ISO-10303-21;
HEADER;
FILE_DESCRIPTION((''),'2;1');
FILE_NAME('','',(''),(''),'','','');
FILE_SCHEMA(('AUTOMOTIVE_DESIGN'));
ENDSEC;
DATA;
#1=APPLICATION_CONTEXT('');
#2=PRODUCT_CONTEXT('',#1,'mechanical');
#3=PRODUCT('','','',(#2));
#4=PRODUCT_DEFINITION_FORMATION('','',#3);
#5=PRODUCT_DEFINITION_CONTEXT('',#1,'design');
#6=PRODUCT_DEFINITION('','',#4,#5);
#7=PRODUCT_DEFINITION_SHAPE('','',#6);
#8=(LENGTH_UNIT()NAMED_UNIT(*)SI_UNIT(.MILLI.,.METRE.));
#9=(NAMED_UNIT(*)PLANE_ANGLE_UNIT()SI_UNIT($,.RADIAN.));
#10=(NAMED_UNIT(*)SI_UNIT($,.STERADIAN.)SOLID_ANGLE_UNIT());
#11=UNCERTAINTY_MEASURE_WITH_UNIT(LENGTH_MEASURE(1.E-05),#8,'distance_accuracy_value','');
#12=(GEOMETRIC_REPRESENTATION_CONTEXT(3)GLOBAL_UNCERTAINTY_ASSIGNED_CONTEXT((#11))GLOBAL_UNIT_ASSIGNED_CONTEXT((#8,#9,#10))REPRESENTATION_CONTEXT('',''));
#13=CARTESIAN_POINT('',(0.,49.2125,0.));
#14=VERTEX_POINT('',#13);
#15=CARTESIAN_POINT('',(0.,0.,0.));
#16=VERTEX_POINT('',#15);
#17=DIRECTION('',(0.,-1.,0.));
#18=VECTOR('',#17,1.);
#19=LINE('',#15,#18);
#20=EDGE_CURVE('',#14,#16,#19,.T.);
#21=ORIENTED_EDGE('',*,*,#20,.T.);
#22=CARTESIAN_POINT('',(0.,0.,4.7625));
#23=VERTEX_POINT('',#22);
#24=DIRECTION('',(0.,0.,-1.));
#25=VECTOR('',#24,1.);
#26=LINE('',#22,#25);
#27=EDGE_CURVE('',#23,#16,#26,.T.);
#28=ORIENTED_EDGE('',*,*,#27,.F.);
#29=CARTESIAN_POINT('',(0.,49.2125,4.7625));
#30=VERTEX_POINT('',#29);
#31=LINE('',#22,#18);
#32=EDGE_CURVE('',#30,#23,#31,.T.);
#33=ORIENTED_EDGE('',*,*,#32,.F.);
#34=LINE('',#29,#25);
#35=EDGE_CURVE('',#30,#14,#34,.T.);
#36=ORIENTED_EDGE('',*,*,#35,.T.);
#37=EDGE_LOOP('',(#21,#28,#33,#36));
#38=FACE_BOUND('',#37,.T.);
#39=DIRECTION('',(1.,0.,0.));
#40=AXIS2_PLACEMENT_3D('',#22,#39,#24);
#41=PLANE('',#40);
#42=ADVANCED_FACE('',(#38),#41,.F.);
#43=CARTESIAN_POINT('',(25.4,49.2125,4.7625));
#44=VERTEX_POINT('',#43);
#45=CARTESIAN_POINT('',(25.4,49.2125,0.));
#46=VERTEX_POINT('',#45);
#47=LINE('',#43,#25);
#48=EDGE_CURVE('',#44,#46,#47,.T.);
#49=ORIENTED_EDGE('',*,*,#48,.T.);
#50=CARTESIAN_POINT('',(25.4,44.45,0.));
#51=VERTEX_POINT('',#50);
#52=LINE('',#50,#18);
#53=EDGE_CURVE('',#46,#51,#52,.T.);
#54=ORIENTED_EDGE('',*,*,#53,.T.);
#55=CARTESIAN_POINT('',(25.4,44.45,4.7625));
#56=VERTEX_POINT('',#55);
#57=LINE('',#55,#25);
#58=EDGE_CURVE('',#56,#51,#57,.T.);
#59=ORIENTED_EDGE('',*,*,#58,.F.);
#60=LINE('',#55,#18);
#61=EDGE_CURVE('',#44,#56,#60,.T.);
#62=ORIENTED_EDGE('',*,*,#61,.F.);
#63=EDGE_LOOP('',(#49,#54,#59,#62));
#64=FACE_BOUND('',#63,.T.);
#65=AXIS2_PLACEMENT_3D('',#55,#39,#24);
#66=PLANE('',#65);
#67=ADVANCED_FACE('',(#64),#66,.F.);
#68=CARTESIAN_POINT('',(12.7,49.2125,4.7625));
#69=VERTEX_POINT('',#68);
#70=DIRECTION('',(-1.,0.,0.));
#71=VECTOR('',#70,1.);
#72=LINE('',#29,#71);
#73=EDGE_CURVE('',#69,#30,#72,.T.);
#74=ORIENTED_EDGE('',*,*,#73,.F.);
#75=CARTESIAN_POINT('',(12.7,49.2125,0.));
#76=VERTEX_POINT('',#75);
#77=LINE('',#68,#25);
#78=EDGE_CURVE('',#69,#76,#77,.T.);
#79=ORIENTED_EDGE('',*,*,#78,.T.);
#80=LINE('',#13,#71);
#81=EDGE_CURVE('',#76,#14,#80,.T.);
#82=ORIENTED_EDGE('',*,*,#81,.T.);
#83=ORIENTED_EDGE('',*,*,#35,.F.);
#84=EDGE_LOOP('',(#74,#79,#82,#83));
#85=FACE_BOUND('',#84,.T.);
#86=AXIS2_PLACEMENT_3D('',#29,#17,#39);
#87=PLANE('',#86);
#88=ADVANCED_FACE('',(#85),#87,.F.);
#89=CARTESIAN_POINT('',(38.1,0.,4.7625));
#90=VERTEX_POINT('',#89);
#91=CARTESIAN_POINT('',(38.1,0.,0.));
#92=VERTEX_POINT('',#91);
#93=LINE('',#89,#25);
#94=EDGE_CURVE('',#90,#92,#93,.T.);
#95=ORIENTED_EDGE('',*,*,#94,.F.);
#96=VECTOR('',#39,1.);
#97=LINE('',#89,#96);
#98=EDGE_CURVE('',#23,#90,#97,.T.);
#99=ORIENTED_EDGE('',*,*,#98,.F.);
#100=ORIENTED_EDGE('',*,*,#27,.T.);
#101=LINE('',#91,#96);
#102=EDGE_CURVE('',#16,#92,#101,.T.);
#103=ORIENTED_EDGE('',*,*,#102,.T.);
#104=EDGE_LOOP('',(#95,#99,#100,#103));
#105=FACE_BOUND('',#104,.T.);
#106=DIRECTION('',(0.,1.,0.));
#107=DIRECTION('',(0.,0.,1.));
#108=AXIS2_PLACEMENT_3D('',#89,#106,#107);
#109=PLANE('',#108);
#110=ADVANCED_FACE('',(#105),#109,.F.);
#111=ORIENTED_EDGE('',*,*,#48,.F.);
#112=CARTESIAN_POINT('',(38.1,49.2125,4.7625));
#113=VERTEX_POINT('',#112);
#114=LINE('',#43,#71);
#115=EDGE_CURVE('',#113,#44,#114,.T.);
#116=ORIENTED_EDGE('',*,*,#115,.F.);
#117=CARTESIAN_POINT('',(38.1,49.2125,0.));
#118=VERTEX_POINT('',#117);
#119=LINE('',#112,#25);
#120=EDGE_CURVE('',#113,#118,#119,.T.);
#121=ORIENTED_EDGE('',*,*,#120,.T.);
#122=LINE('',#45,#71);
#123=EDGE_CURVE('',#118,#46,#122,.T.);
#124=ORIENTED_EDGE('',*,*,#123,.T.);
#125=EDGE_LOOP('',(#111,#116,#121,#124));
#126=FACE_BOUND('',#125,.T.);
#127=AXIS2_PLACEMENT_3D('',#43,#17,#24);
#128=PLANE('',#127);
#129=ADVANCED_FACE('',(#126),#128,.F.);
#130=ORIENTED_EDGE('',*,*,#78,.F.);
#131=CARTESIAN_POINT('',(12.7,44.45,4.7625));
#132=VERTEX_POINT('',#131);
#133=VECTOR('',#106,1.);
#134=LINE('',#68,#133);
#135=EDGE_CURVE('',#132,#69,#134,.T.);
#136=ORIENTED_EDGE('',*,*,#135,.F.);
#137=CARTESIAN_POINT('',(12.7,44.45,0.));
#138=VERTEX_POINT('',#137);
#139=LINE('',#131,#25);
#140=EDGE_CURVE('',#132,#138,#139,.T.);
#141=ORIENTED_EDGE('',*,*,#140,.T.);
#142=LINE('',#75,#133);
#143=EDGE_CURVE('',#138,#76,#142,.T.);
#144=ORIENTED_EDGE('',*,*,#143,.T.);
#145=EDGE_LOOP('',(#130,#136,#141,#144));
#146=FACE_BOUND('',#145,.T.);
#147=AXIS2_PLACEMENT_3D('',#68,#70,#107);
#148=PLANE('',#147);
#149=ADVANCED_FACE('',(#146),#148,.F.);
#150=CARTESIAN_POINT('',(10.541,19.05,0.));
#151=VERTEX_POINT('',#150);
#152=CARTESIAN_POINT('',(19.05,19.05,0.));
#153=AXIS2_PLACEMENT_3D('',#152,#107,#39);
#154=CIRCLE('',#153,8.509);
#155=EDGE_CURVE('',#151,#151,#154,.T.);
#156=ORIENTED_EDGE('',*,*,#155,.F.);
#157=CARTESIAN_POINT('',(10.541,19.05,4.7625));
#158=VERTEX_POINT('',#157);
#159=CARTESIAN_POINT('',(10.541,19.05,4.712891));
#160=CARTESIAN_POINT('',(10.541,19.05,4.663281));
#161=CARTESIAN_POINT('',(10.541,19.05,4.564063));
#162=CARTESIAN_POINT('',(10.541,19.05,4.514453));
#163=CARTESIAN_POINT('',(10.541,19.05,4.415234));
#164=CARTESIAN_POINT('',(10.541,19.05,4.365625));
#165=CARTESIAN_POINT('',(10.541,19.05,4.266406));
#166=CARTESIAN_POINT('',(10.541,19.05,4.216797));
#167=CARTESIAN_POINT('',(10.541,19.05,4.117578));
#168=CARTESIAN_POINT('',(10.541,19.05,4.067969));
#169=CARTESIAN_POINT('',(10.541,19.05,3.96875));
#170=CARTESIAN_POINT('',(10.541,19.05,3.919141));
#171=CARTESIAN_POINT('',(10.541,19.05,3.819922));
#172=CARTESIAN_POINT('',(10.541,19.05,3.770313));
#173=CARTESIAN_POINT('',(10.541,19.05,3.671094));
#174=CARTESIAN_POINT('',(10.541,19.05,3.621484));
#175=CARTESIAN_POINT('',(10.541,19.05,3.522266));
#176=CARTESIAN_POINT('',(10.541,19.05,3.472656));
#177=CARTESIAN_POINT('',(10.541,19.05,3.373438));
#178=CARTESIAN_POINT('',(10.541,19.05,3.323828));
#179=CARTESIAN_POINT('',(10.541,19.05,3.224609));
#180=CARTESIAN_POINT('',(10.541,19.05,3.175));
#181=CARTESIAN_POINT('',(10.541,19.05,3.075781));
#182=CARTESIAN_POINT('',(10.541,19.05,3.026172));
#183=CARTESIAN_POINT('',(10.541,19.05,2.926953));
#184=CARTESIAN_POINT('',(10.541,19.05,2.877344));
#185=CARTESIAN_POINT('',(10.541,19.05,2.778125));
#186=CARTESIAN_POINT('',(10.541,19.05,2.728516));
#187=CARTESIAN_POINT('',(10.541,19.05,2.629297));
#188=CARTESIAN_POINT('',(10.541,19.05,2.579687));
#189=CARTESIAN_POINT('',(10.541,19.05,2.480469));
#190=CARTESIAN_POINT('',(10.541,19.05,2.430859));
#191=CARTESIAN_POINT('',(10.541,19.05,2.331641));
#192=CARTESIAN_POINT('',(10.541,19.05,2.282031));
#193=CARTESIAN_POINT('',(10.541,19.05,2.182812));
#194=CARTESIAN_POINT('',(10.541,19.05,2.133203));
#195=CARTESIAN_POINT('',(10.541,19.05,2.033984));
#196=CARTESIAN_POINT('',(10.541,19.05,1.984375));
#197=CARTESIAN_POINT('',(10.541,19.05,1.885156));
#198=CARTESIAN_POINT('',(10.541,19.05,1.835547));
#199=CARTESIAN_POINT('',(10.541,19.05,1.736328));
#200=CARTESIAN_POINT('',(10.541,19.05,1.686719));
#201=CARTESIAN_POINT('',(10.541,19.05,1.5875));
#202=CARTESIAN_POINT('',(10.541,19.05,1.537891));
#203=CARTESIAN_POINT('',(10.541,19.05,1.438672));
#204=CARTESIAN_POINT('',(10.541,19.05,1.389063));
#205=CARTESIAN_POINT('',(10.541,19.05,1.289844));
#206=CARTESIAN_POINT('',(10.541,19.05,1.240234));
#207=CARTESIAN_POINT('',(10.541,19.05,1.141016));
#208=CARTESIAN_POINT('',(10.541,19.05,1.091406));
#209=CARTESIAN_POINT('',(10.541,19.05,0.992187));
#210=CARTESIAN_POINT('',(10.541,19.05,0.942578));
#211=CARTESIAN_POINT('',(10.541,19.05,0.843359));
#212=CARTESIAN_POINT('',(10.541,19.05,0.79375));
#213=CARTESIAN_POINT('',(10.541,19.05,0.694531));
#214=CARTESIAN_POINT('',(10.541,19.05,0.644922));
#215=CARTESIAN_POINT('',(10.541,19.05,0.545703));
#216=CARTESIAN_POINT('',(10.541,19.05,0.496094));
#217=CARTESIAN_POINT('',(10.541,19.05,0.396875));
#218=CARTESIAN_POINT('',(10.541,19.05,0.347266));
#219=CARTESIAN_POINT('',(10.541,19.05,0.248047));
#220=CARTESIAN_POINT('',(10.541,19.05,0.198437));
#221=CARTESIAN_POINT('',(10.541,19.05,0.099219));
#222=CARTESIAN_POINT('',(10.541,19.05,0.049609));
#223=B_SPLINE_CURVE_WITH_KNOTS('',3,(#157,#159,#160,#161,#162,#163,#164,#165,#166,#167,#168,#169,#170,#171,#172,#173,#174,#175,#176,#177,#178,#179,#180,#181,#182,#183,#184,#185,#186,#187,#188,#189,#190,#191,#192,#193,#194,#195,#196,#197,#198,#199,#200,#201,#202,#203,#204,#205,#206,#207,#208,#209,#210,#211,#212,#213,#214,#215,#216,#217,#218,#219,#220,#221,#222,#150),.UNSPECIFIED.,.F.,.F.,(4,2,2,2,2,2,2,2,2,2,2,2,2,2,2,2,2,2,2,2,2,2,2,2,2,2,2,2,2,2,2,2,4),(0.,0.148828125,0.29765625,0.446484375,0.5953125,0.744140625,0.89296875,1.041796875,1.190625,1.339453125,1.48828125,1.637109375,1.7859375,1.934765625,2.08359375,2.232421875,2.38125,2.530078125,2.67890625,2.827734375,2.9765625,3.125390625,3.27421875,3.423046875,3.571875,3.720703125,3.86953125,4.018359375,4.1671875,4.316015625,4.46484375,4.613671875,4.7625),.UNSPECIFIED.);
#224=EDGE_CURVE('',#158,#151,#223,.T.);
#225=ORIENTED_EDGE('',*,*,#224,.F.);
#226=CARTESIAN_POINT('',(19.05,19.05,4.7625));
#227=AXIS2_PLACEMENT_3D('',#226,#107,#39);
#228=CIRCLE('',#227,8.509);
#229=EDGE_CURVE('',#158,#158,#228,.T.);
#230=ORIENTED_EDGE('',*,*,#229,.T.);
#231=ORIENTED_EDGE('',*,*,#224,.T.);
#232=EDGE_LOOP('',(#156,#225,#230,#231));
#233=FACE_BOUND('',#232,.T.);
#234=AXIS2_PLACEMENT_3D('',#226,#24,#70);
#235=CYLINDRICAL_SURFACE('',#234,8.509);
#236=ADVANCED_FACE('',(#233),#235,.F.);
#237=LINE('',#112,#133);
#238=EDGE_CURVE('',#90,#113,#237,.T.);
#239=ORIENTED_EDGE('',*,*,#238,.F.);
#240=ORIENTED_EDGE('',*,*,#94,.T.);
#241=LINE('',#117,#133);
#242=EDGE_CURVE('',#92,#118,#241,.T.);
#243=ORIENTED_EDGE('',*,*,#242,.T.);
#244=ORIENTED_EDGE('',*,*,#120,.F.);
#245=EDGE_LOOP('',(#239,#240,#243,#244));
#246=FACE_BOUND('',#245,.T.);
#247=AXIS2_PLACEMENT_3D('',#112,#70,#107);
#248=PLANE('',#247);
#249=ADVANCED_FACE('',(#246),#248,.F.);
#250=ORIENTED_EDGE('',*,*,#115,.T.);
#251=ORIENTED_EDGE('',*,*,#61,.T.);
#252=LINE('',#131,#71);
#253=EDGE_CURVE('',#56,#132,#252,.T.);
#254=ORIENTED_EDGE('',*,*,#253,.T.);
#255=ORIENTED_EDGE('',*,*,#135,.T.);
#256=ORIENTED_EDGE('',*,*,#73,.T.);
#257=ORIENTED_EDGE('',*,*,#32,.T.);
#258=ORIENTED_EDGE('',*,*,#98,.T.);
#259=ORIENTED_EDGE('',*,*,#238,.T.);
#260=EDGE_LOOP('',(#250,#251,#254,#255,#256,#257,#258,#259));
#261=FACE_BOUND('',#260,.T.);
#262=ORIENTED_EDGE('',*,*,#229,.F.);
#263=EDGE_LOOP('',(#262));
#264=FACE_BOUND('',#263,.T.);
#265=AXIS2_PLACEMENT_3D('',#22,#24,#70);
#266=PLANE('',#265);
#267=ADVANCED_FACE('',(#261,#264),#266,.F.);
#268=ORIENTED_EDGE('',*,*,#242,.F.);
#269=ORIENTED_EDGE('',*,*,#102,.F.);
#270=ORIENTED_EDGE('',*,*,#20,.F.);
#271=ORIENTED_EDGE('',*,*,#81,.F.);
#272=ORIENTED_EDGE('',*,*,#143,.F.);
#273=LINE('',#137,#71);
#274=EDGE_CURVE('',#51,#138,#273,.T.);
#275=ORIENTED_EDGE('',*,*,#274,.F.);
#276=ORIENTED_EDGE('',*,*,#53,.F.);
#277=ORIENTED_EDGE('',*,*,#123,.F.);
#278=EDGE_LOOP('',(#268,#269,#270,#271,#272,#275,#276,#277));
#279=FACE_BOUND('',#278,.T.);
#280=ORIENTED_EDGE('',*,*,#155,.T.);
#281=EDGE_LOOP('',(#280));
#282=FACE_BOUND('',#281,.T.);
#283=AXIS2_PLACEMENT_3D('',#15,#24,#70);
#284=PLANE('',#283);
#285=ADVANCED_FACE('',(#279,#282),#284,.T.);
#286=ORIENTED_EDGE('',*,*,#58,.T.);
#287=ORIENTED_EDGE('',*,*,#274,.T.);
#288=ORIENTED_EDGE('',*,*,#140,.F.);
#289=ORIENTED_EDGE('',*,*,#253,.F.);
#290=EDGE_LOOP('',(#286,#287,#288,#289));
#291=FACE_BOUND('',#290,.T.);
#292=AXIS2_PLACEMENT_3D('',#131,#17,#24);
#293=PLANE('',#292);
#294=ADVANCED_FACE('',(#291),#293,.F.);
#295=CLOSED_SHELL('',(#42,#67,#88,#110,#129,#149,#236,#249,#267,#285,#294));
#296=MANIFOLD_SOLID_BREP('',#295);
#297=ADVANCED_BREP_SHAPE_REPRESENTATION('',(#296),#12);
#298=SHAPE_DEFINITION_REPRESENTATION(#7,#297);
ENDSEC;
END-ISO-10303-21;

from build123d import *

# Parameters (mm, degrees)
SKETCH1_R           = 8.509
BOSS_EXTRUDE1_DEPTH = 4.7625


with BuildPart() as part:
    # Sketch1 → Boss-Extrude1 (new body)
    with BuildSketch(Plane.XY):
        Polygon((0, 0), (0, 49.2125), (12.7, 49.2125), (12.7, 44.45), (25.4, 44.45), (25.4, 49.2125), (38.1, 49.2125), (38.1, 0), align=None)
        with Locations(Location((19.05, 19.05, 0), (0, 0, 180))):
            Circle(SKETCH1_R, mode=Mode.SUBTRACT)
    extrude(amount=BOSS_EXTRUDE1_DEPTH)


solid = part.part
